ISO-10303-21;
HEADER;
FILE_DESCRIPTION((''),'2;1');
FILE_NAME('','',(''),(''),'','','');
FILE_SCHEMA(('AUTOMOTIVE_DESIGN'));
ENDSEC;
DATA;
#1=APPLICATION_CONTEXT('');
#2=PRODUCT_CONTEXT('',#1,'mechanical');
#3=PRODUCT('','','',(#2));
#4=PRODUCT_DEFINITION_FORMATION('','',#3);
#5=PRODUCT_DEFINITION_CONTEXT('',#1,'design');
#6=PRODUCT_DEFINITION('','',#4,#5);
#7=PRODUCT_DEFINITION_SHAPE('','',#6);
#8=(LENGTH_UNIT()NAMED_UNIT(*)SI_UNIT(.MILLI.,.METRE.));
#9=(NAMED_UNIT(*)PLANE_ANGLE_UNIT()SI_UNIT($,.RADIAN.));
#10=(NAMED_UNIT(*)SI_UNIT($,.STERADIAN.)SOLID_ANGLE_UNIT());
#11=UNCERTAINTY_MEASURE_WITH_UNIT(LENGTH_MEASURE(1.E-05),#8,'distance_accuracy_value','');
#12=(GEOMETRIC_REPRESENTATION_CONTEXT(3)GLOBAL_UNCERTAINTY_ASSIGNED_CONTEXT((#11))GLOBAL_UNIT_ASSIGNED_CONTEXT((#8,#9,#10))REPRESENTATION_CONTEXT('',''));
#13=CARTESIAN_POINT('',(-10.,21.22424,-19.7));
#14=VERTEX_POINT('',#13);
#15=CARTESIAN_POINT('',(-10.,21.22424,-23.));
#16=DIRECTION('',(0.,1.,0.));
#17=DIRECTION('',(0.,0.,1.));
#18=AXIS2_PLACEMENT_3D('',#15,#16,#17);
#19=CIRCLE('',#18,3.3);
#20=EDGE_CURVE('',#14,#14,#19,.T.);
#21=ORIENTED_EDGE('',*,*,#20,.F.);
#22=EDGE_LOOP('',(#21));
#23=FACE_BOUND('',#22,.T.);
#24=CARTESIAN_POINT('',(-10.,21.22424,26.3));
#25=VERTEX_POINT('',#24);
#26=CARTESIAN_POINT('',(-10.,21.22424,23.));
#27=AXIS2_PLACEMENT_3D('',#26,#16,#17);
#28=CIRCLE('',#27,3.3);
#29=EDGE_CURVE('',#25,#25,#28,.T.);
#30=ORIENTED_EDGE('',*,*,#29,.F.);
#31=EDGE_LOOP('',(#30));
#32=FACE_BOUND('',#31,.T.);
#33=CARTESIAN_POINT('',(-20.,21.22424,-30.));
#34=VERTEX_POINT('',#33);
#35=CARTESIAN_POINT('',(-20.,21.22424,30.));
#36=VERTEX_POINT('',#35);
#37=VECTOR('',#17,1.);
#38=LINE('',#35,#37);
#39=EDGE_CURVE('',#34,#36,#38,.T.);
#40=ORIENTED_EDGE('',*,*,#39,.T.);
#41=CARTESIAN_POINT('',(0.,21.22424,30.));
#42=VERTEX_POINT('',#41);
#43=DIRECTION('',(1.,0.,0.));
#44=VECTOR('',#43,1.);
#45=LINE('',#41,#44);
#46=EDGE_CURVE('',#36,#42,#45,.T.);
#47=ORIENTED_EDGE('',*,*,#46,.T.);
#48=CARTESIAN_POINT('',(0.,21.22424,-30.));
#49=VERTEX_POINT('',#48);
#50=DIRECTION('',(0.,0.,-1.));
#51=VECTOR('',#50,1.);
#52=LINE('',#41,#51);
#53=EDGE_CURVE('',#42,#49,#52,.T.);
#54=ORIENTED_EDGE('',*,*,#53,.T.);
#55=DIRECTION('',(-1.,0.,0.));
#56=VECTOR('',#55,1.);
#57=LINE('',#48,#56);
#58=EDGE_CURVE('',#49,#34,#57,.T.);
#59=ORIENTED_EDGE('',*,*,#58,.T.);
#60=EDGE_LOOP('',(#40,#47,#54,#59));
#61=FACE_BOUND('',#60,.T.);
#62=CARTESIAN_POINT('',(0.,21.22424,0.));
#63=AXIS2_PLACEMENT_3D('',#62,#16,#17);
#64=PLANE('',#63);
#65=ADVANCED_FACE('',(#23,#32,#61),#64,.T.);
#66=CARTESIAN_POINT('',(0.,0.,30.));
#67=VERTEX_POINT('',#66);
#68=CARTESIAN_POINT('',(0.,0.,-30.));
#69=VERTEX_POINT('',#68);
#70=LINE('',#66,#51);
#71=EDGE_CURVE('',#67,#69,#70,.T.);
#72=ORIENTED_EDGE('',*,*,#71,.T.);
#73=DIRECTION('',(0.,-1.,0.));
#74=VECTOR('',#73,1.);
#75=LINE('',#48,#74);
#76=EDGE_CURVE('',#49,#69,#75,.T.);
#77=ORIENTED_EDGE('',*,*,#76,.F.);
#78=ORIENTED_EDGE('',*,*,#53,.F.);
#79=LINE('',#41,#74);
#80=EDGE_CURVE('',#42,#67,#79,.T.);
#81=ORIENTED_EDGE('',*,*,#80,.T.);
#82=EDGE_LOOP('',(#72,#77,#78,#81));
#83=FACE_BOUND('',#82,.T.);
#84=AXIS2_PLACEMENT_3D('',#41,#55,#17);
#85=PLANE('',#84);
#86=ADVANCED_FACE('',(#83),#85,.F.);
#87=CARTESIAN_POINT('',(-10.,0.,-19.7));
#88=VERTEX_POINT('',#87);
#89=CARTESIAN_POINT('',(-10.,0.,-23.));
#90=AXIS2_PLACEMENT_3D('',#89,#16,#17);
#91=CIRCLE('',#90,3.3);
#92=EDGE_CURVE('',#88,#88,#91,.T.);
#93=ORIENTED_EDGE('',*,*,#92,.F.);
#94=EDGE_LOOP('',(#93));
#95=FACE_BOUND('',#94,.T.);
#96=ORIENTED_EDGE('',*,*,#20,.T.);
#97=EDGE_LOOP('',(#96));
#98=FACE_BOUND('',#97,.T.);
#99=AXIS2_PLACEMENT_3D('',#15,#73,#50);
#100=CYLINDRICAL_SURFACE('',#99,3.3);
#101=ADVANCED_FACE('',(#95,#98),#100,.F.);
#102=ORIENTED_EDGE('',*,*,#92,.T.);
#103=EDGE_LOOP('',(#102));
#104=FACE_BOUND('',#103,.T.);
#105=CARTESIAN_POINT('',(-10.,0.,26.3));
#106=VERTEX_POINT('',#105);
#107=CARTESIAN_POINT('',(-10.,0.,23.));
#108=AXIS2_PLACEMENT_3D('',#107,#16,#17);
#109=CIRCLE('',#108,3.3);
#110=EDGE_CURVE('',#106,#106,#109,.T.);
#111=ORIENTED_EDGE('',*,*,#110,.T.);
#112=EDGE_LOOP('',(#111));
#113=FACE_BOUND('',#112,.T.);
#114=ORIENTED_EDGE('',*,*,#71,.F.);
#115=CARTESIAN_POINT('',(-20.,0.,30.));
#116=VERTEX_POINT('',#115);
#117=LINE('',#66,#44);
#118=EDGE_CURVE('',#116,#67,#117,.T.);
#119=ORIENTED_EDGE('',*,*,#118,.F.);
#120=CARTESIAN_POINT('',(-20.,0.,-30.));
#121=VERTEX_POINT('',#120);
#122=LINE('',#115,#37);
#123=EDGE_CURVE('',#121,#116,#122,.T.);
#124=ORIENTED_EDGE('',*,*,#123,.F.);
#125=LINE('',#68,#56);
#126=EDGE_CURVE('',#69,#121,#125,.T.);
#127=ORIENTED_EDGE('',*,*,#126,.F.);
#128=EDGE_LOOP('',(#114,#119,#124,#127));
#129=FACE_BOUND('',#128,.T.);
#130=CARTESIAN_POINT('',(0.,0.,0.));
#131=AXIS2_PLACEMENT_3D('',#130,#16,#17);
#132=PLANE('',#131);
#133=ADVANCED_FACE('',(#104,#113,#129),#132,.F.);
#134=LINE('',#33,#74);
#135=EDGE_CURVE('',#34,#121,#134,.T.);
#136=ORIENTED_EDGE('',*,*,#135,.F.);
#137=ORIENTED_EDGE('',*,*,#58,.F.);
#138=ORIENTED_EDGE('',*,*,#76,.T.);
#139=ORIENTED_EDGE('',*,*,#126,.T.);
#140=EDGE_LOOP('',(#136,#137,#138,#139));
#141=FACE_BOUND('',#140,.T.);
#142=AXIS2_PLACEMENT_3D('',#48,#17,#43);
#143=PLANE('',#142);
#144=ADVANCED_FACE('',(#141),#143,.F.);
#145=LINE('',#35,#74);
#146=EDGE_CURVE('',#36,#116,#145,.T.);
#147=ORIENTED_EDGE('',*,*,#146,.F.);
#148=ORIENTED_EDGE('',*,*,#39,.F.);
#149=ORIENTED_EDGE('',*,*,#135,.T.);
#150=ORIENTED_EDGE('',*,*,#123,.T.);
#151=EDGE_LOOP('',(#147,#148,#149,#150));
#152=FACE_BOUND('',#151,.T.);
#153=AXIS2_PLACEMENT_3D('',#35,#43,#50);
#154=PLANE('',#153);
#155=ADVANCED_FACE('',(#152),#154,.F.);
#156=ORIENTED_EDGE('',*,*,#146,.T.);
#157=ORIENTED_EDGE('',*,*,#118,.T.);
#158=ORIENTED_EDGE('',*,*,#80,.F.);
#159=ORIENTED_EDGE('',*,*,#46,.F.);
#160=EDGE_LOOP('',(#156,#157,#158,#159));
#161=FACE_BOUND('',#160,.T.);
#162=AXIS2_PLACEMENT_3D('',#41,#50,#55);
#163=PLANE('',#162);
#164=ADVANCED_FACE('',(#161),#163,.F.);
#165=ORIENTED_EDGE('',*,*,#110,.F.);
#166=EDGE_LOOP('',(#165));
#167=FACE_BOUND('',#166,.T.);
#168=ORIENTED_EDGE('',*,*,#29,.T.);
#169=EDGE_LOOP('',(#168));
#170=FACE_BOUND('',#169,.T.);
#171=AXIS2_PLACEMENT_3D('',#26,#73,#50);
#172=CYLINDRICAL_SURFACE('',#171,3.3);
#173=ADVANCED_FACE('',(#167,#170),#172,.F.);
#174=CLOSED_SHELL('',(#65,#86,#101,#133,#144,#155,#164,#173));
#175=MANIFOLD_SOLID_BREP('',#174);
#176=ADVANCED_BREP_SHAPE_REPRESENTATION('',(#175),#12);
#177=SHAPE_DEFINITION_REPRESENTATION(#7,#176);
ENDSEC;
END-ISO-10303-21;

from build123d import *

# Parameters (mm, degrees)
SKETCH1_W           = 20
SKETCH1_H           = 60
SKETCH1_R           = 3.3
BOSS_EXTRUDE1_DEPTH = 21.22424


with BuildPart() as part:
    # Sketch1 → Boss-Extrude1 (new body)
    with BuildSketch(Plane(origin=(0, 0, 0), x_dir=(1, 0, 0), z_dir=(0, 1, 0))):
        with Locations((-10, 0)):
            Rectangle(SKETCH1_W, SKETCH1_H)
        with Locations((-10, 23)):
            Circle(SKETCH1_R, mode=Mode.SUBTRACT)
        with Locations((-10, -23)):
            Circle(SKETCH1_R, mode=Mode.SUBTRACT)
    extrude(amount=BOSS_EXTRUDE1_DEPTH)


solid = part.part
